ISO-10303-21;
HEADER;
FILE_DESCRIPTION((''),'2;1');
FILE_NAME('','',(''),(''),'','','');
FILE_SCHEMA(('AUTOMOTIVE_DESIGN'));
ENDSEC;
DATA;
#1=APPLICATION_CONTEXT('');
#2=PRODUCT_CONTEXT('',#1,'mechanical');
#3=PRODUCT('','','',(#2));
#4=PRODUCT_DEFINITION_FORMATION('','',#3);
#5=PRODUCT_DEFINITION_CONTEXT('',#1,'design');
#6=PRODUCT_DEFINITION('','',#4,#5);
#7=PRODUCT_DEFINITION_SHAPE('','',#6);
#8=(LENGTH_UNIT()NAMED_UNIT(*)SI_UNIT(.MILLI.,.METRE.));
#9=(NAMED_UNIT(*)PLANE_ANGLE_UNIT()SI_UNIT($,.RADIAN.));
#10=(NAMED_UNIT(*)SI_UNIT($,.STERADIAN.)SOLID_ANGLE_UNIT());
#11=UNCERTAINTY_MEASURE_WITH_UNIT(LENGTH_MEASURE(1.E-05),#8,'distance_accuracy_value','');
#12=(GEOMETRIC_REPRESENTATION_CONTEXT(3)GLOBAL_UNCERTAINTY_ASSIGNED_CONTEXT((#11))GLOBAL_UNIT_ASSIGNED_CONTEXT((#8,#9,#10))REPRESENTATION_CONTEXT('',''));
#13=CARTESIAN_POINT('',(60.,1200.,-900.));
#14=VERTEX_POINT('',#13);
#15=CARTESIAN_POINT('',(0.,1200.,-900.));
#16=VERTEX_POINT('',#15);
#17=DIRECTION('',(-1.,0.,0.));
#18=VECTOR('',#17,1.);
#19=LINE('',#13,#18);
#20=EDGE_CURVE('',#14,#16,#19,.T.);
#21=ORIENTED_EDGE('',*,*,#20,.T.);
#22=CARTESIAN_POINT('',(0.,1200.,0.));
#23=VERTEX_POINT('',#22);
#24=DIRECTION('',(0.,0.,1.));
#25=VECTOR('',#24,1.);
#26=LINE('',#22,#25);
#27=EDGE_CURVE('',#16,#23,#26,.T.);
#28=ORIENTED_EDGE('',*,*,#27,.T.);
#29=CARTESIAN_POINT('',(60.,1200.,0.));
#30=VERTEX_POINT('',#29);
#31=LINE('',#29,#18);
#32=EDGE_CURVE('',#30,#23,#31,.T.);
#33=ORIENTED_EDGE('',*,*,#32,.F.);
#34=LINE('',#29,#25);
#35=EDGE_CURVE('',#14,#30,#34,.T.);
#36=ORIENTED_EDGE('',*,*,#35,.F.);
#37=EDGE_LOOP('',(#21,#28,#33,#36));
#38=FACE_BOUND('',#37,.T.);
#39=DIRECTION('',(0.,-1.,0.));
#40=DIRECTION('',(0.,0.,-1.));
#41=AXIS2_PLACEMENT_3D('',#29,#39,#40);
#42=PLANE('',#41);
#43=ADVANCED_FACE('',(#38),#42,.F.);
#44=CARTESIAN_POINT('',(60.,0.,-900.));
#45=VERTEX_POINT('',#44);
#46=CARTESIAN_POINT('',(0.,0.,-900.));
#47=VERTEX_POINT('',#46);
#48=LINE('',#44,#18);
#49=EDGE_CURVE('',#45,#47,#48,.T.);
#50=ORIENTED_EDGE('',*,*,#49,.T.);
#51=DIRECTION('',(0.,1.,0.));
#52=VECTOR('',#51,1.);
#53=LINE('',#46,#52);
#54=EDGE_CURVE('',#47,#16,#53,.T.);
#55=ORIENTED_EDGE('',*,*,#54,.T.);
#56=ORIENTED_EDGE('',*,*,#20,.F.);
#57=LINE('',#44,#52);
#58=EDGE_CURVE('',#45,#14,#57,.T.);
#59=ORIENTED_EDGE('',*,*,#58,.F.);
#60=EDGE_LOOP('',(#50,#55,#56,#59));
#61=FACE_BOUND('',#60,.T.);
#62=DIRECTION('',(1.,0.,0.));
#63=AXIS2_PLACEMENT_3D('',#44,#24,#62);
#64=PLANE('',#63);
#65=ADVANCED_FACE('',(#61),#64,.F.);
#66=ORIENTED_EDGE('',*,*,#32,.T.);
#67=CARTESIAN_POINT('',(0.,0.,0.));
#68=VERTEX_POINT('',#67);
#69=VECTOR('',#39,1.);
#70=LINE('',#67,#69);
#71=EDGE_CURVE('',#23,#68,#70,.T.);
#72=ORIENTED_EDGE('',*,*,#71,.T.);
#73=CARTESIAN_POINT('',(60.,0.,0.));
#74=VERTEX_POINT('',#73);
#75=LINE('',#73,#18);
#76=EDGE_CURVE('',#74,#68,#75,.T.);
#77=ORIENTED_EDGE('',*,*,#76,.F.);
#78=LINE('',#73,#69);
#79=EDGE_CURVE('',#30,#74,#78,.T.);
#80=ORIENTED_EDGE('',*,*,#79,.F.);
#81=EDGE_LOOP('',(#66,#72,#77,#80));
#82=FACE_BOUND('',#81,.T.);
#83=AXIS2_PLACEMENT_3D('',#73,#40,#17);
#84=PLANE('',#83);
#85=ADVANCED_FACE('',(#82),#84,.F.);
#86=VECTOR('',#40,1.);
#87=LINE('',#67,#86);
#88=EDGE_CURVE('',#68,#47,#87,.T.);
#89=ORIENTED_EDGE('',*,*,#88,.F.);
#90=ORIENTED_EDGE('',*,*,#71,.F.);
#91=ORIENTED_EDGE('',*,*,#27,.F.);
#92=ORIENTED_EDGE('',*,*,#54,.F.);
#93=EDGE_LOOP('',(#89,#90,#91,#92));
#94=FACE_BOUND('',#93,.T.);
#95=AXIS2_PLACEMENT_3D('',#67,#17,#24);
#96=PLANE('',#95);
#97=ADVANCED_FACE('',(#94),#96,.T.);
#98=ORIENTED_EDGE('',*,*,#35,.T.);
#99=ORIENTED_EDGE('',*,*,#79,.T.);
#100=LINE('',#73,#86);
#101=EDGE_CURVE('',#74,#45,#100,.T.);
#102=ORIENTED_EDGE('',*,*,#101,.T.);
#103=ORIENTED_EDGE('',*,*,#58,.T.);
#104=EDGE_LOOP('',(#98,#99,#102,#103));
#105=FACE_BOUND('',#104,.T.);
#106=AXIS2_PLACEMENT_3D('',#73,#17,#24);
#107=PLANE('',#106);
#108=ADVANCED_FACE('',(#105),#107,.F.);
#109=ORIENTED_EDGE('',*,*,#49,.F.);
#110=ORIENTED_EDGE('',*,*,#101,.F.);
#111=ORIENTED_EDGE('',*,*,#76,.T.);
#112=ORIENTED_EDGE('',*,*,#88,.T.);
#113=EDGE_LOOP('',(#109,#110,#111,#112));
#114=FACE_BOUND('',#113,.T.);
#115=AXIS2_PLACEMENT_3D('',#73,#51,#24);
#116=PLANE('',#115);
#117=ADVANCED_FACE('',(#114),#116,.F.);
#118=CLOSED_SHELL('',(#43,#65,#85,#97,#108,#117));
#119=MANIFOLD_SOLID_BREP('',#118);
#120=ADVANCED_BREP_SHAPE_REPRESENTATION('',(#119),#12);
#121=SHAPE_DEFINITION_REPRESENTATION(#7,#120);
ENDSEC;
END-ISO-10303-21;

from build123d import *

# Parameters (mm, degrees)
SKETCH_1_W      = 900
SKETCH_1_H      = 1200
EXTRUDE_1_DEPTH = 60


with BuildPart() as part:
    # Эскиз1 → Бобышка-Вытянуть1 (new body)
    with BuildSketch(Plane(origin=(0, 0, 0), x_dir=(0, 0, -1), z_dir=(1, 0, 0))):
        with Locations((450, 600)):
            Rectangle(SKETCH_1_W, SKETCH_1_H)
    extrude(amount=EXTRUDE_1_DEPTH)


solid = part.part
